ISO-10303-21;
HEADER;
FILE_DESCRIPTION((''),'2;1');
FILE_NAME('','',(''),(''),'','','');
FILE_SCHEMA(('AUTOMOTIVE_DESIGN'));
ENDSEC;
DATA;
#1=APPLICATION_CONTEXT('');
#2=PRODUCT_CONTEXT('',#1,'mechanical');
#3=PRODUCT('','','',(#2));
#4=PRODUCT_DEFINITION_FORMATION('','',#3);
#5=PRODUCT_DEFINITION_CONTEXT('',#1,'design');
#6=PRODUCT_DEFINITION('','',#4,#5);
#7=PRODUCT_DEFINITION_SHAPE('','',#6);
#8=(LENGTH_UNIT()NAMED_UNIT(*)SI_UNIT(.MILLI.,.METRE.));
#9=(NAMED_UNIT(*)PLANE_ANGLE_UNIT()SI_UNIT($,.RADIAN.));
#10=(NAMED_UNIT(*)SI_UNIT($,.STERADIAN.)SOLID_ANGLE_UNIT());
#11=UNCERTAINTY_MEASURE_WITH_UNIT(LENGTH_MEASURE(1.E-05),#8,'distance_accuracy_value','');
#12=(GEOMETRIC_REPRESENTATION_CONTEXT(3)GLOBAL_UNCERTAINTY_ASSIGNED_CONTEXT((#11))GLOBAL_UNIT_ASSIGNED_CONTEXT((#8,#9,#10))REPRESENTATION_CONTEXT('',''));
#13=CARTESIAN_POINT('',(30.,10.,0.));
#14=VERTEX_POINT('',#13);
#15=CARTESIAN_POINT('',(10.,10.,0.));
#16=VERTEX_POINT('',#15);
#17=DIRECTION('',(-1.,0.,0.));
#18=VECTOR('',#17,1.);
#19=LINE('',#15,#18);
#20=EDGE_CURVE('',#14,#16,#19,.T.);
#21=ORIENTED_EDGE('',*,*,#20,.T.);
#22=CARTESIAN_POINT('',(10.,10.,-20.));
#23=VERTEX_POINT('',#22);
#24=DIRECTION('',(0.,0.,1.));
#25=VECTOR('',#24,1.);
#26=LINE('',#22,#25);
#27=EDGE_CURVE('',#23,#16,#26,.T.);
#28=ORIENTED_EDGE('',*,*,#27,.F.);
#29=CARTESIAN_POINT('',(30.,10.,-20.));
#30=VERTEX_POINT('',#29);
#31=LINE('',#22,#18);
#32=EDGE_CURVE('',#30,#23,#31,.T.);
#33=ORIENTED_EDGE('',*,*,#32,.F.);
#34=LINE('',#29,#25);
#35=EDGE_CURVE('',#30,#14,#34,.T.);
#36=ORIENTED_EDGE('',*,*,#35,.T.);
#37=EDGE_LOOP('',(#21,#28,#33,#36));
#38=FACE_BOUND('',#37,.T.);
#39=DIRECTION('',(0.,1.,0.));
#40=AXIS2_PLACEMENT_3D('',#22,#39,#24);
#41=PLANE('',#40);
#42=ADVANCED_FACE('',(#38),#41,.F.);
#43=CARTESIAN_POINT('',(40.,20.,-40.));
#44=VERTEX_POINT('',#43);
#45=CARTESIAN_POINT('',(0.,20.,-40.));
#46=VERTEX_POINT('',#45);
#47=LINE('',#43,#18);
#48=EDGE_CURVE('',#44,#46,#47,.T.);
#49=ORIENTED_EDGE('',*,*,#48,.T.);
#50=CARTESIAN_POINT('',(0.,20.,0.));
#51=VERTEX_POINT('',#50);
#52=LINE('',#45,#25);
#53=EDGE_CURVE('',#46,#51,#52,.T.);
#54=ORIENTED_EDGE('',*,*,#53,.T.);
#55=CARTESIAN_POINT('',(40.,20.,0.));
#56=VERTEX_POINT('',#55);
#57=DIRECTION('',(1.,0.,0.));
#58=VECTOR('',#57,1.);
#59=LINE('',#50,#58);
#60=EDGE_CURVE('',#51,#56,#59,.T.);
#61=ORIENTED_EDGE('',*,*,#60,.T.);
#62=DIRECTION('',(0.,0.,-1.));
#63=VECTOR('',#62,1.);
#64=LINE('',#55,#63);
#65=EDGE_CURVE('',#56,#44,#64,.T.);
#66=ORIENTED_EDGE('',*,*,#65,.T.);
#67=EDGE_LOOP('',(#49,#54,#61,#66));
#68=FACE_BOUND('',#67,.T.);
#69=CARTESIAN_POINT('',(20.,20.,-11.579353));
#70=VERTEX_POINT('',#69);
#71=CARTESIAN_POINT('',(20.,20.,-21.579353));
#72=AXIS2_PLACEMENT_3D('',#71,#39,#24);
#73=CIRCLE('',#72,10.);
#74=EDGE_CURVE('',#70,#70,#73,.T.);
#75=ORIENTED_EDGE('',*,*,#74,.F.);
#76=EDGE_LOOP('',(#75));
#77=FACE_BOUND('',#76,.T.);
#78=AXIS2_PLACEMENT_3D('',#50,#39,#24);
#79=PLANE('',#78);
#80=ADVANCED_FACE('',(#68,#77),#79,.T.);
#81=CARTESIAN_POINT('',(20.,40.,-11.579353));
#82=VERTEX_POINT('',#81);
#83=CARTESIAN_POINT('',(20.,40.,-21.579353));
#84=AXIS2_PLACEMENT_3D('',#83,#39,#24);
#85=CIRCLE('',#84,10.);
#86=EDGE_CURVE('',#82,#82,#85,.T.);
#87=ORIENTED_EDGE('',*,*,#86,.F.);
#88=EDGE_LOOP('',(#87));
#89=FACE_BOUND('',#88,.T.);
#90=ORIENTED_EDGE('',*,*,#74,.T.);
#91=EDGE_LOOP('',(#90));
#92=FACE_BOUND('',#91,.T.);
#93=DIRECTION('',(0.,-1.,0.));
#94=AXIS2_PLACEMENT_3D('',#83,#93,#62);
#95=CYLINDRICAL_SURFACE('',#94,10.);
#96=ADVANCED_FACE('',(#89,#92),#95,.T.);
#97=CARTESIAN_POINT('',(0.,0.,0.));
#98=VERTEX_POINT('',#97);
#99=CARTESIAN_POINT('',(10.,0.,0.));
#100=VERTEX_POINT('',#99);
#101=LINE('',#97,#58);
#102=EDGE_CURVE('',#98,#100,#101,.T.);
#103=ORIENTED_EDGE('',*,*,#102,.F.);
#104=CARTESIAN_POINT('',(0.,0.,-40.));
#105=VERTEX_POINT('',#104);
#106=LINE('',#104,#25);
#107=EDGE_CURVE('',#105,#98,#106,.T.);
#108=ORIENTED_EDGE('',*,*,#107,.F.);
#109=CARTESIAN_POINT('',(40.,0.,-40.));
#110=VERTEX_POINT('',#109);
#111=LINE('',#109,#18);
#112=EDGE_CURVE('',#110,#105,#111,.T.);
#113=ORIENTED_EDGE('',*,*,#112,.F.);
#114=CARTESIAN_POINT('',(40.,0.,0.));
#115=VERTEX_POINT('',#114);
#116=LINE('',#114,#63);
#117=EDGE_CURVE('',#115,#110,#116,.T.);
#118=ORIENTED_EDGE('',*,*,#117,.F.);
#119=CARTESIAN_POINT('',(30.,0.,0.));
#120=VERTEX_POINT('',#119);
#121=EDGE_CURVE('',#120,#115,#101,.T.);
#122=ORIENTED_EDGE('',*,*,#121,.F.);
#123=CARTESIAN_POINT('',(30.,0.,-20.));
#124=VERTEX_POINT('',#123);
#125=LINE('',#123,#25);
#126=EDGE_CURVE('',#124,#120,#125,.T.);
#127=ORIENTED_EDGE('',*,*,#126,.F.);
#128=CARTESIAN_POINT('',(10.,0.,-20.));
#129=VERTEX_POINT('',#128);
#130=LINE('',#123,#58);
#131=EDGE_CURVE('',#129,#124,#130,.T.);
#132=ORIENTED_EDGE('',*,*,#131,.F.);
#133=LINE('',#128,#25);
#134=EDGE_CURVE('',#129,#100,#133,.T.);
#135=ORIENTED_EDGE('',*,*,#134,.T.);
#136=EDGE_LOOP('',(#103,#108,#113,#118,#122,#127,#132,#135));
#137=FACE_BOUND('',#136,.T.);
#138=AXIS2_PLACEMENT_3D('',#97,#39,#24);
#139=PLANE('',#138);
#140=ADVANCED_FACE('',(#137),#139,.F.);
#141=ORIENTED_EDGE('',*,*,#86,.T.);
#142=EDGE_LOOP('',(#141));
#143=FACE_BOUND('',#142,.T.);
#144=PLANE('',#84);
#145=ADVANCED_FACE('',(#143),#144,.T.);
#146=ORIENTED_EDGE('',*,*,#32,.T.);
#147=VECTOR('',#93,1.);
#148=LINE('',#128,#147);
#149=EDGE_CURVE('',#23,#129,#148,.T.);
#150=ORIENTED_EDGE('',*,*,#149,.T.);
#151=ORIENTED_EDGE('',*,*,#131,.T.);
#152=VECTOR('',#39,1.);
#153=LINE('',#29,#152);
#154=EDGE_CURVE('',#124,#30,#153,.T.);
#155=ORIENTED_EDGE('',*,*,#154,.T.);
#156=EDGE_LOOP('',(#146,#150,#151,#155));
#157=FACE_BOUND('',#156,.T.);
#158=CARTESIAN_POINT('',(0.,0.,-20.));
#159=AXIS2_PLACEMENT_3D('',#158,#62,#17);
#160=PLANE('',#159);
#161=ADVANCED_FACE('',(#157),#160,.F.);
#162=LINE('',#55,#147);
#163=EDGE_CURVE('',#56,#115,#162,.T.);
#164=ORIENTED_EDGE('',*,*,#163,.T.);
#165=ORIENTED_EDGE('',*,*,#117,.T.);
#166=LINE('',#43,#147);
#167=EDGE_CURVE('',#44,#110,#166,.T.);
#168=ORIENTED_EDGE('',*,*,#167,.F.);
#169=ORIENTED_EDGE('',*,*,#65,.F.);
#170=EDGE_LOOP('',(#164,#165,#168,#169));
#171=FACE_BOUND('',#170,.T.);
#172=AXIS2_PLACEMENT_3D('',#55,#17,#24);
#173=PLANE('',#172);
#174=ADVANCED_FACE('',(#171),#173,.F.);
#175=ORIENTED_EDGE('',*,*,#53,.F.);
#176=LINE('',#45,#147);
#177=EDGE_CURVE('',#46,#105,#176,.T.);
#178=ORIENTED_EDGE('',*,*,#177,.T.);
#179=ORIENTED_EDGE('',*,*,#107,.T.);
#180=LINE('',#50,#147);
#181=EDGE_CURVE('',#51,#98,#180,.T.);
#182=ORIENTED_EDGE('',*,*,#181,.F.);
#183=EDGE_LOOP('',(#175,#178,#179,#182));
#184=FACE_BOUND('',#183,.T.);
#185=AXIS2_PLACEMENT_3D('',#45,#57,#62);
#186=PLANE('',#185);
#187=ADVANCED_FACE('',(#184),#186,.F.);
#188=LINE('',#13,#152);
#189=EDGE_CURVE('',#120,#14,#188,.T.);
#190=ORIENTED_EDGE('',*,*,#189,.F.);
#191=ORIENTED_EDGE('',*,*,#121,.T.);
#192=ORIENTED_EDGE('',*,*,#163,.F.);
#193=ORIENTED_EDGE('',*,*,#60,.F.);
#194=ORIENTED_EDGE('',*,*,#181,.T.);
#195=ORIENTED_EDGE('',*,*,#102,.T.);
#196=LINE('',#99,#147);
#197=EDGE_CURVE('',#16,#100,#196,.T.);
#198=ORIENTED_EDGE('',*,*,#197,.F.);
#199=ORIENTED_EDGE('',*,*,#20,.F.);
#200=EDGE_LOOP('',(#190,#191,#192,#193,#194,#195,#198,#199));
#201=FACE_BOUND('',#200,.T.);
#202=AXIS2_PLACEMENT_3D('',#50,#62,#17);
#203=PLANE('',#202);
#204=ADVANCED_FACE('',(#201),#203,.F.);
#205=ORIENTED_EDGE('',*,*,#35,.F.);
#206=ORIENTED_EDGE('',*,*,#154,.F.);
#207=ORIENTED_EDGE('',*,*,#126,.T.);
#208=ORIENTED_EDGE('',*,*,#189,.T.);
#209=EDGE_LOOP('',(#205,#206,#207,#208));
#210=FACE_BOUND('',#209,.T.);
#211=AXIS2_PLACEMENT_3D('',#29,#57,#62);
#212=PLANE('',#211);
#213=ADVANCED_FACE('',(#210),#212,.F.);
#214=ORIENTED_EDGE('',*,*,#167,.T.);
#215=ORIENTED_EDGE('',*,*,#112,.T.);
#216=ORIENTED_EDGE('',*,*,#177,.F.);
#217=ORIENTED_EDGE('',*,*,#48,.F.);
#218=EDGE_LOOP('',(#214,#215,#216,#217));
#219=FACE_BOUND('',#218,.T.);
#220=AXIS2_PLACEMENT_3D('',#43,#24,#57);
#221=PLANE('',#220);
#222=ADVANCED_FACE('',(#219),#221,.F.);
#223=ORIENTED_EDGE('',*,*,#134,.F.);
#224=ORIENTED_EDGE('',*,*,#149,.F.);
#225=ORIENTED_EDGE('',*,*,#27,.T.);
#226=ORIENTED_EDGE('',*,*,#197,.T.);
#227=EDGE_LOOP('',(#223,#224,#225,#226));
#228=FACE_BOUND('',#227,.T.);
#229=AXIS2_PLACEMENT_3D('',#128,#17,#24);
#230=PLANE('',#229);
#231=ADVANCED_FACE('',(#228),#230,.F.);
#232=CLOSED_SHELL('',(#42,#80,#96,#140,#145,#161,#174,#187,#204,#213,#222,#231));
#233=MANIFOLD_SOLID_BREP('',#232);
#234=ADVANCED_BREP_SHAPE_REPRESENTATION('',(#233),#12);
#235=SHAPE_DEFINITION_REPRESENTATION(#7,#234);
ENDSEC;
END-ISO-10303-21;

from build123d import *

# Parameters (mm, degrees)
SKETCH2_W           = 40
SKETCH2_H           = 40
BOSS_EXTRUDE1_DEPTH = 20
SKETCH3_W           = 20
SKETCH3_H           = 10
CUT_EXTRUDE1_DEPTH  = 20
SKETCH6_R           = 10
BOSS_EXTRUDE2_DEPTH = 20


with BuildPart() as part:
    # Sketch2 → Boss-Extrude1 (new body)
    with BuildSketch(Plane(origin=(0, 0, 0), x_dir=(1, 0, 0), z_dir=(0, 1, 0))):
        with Locations((20, 20)):
            Rectangle(SKETCH2_W, SKETCH2_H)
    extrude(amount=BOSS_EXTRUDE1_DEPTH)

    # Sketch3 → Cut-Extrude1 (cut)
    with BuildSketch(Plane.XY):
        with Locations((20, 5)):
            Rectangle(SKETCH3_W, SKETCH3_H)
    extrude(amount=-CUT_EXTRUDE1_DEPTH, mode=Mode.SUBTRACT)

    # Sketch6 → Boss-Extrude2 (add)
    with BuildSketch(Plane(origin=(0, 20, 0), x_dir=(1, 0, 0), z_dir=(0, 1, 0))):
        with Locations(Location((20, 21.579352737, 0), (0, 0, 270))):
            Circle(SKETCH6_R)
    extrude(amount=BOSS_EXTRUDE2_DEPTH)


solid = part.part
